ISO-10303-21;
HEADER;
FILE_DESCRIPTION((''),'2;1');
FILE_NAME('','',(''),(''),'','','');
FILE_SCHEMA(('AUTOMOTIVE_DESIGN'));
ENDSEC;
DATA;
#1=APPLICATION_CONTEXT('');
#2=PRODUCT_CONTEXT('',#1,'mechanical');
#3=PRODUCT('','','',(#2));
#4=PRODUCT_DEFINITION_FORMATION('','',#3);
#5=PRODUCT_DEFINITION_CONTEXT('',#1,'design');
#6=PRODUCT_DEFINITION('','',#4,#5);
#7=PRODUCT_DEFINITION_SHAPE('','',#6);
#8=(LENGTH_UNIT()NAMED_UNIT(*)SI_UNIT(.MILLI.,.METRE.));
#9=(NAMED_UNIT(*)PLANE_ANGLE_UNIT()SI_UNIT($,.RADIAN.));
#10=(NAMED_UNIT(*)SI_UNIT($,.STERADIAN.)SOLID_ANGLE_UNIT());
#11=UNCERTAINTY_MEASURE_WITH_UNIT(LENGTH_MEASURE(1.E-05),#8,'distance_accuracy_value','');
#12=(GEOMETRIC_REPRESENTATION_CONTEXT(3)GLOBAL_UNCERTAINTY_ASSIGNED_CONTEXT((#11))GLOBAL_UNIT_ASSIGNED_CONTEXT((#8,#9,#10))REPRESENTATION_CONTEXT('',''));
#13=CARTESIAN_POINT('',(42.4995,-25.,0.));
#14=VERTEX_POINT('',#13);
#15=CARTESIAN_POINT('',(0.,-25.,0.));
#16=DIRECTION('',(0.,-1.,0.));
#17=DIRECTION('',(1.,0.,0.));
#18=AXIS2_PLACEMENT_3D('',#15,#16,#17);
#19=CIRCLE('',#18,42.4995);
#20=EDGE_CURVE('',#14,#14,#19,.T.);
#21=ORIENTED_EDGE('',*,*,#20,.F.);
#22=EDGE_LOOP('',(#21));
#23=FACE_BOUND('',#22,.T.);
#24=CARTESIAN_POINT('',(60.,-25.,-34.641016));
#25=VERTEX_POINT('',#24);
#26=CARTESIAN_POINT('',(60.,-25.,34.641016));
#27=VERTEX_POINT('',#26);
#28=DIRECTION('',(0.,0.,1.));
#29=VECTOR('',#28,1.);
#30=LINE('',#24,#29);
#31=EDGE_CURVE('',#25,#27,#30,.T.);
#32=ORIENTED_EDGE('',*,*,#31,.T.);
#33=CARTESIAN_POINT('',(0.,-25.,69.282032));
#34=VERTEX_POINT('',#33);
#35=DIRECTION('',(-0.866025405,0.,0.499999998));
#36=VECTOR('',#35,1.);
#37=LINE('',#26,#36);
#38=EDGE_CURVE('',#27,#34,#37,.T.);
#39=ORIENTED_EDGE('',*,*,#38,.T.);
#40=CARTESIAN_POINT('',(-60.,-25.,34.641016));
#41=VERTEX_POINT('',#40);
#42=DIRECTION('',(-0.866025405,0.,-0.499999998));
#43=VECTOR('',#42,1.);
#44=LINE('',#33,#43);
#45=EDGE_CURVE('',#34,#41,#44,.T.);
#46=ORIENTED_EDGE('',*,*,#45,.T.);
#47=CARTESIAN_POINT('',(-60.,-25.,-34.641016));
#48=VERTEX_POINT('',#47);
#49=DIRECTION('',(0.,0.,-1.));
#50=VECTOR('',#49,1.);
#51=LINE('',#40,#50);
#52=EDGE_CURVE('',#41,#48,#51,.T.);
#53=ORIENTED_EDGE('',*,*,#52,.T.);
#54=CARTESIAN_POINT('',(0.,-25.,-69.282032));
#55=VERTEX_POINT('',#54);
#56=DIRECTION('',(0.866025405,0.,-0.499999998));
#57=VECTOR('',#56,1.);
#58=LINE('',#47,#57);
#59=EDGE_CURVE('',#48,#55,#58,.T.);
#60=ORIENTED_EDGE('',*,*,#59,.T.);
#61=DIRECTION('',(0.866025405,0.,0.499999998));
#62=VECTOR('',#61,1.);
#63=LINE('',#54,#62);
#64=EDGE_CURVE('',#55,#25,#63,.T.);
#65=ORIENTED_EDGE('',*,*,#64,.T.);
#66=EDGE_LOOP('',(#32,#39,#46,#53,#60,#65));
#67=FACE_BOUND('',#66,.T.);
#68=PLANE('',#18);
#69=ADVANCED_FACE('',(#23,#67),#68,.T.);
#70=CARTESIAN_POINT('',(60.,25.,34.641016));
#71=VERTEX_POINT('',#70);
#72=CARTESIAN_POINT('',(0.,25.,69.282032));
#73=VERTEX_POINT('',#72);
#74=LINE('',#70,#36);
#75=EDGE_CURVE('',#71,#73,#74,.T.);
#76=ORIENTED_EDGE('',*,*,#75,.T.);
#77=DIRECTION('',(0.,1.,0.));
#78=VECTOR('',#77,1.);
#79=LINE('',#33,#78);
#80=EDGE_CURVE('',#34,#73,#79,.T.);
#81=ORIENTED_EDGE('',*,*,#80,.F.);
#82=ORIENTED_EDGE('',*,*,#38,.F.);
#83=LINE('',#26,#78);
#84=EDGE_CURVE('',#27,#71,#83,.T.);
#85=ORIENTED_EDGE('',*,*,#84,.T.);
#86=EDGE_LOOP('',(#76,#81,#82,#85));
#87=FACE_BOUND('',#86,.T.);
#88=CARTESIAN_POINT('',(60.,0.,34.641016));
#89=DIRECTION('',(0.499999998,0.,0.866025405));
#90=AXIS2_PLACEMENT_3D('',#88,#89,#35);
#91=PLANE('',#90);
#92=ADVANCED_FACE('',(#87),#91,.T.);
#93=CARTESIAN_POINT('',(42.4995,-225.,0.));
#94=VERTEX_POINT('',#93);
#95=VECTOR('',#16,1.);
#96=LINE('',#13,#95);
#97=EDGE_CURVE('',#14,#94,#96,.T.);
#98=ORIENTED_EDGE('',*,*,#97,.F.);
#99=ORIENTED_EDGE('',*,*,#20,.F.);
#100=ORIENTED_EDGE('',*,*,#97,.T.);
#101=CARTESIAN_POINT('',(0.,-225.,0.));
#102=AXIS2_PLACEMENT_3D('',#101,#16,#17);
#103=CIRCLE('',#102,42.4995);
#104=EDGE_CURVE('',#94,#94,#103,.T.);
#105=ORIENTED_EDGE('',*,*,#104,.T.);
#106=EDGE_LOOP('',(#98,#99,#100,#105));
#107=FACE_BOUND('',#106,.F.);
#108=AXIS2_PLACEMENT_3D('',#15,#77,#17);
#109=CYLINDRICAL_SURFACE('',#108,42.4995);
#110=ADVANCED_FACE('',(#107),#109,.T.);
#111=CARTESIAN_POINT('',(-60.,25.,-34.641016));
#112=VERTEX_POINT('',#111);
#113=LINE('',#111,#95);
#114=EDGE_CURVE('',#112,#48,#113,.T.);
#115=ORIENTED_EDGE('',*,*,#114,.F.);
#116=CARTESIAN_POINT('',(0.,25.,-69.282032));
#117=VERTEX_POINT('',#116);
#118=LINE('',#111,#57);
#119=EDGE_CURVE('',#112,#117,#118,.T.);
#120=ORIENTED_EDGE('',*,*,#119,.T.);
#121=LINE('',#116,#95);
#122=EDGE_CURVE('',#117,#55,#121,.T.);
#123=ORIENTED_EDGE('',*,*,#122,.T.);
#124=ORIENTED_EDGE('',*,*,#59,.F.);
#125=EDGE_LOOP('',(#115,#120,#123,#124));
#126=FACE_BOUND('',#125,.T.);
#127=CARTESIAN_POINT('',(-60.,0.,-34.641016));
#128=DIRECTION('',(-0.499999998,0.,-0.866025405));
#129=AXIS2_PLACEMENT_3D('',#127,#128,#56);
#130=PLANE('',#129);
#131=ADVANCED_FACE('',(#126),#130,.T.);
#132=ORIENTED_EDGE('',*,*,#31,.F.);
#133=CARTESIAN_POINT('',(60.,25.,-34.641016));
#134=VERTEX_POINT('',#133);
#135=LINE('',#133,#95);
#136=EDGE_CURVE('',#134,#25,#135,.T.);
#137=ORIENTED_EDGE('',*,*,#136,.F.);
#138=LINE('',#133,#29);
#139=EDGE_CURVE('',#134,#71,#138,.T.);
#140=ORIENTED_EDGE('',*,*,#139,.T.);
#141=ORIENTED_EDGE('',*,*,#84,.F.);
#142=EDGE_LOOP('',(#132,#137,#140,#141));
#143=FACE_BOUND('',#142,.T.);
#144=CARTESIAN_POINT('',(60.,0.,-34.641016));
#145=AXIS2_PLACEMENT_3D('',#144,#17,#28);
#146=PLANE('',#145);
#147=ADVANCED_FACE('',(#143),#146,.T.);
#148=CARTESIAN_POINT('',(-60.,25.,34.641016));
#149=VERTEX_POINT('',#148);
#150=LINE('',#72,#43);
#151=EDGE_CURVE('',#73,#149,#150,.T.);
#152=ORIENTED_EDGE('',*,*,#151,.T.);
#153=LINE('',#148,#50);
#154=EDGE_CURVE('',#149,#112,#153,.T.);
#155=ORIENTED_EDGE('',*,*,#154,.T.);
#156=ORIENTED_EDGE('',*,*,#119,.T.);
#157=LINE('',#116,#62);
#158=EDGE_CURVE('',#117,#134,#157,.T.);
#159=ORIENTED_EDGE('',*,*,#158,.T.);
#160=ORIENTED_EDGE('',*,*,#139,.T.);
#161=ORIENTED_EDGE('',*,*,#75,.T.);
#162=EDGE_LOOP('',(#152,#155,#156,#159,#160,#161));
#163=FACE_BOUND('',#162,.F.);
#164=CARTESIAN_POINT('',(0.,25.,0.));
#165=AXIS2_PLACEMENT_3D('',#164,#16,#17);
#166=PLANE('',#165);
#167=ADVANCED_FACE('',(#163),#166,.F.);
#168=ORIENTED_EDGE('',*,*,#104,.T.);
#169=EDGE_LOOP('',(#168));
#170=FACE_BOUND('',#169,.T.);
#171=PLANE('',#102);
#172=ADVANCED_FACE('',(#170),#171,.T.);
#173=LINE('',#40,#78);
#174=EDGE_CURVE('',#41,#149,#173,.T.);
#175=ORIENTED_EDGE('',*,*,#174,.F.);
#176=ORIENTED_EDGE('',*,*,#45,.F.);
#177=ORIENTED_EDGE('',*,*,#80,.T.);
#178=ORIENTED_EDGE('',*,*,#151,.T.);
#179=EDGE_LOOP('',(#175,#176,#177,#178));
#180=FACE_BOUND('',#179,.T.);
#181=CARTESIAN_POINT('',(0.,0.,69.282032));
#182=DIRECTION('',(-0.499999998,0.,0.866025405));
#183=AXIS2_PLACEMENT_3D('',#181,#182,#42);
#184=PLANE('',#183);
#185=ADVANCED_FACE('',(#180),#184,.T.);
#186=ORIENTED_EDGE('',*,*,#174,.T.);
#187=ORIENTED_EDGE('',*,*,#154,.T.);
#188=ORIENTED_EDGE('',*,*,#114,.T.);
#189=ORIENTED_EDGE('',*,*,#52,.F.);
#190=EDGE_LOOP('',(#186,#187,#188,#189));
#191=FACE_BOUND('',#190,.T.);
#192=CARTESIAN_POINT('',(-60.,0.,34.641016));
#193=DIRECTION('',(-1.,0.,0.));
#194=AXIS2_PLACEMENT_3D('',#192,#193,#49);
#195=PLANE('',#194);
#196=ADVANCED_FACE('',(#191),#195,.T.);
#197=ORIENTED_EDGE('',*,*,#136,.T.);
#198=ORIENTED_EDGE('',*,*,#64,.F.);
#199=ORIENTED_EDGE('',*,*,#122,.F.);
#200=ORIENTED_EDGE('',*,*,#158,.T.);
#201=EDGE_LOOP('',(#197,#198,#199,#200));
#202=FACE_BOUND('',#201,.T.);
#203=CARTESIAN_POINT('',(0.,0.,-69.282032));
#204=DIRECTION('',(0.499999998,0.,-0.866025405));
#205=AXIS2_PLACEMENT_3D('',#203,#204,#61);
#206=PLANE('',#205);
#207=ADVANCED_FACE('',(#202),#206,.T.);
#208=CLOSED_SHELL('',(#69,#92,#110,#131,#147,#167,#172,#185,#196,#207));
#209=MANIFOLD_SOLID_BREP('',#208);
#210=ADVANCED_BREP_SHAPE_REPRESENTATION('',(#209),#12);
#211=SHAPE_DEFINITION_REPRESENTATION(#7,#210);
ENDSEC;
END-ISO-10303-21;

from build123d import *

# Parameters (mm, degrees)
F1_DEPTH = 25
F2_R     = 42.4995
F3_DEPTH = 200


with BuildPart() as f1:
    # F0 (on Front) → F1 (new body, symmetric)
    with BuildSketch(Plane.XZ):
        Polygon((-60, 34.641016), (-60, -34.641016), (0, -69.282032), (60, -34.641016), (60, 34.641016), (0, 69.282032), align=None)
    extrude(amount=F1_DEPTH, both=True)

    # F2 (on face) → F3 (join)
    with BuildSketch(Plane.XZ.offset(25)):
        Circle(F2_R)
    extrude(amount=F3_DEPTH)


solid = f1.part
